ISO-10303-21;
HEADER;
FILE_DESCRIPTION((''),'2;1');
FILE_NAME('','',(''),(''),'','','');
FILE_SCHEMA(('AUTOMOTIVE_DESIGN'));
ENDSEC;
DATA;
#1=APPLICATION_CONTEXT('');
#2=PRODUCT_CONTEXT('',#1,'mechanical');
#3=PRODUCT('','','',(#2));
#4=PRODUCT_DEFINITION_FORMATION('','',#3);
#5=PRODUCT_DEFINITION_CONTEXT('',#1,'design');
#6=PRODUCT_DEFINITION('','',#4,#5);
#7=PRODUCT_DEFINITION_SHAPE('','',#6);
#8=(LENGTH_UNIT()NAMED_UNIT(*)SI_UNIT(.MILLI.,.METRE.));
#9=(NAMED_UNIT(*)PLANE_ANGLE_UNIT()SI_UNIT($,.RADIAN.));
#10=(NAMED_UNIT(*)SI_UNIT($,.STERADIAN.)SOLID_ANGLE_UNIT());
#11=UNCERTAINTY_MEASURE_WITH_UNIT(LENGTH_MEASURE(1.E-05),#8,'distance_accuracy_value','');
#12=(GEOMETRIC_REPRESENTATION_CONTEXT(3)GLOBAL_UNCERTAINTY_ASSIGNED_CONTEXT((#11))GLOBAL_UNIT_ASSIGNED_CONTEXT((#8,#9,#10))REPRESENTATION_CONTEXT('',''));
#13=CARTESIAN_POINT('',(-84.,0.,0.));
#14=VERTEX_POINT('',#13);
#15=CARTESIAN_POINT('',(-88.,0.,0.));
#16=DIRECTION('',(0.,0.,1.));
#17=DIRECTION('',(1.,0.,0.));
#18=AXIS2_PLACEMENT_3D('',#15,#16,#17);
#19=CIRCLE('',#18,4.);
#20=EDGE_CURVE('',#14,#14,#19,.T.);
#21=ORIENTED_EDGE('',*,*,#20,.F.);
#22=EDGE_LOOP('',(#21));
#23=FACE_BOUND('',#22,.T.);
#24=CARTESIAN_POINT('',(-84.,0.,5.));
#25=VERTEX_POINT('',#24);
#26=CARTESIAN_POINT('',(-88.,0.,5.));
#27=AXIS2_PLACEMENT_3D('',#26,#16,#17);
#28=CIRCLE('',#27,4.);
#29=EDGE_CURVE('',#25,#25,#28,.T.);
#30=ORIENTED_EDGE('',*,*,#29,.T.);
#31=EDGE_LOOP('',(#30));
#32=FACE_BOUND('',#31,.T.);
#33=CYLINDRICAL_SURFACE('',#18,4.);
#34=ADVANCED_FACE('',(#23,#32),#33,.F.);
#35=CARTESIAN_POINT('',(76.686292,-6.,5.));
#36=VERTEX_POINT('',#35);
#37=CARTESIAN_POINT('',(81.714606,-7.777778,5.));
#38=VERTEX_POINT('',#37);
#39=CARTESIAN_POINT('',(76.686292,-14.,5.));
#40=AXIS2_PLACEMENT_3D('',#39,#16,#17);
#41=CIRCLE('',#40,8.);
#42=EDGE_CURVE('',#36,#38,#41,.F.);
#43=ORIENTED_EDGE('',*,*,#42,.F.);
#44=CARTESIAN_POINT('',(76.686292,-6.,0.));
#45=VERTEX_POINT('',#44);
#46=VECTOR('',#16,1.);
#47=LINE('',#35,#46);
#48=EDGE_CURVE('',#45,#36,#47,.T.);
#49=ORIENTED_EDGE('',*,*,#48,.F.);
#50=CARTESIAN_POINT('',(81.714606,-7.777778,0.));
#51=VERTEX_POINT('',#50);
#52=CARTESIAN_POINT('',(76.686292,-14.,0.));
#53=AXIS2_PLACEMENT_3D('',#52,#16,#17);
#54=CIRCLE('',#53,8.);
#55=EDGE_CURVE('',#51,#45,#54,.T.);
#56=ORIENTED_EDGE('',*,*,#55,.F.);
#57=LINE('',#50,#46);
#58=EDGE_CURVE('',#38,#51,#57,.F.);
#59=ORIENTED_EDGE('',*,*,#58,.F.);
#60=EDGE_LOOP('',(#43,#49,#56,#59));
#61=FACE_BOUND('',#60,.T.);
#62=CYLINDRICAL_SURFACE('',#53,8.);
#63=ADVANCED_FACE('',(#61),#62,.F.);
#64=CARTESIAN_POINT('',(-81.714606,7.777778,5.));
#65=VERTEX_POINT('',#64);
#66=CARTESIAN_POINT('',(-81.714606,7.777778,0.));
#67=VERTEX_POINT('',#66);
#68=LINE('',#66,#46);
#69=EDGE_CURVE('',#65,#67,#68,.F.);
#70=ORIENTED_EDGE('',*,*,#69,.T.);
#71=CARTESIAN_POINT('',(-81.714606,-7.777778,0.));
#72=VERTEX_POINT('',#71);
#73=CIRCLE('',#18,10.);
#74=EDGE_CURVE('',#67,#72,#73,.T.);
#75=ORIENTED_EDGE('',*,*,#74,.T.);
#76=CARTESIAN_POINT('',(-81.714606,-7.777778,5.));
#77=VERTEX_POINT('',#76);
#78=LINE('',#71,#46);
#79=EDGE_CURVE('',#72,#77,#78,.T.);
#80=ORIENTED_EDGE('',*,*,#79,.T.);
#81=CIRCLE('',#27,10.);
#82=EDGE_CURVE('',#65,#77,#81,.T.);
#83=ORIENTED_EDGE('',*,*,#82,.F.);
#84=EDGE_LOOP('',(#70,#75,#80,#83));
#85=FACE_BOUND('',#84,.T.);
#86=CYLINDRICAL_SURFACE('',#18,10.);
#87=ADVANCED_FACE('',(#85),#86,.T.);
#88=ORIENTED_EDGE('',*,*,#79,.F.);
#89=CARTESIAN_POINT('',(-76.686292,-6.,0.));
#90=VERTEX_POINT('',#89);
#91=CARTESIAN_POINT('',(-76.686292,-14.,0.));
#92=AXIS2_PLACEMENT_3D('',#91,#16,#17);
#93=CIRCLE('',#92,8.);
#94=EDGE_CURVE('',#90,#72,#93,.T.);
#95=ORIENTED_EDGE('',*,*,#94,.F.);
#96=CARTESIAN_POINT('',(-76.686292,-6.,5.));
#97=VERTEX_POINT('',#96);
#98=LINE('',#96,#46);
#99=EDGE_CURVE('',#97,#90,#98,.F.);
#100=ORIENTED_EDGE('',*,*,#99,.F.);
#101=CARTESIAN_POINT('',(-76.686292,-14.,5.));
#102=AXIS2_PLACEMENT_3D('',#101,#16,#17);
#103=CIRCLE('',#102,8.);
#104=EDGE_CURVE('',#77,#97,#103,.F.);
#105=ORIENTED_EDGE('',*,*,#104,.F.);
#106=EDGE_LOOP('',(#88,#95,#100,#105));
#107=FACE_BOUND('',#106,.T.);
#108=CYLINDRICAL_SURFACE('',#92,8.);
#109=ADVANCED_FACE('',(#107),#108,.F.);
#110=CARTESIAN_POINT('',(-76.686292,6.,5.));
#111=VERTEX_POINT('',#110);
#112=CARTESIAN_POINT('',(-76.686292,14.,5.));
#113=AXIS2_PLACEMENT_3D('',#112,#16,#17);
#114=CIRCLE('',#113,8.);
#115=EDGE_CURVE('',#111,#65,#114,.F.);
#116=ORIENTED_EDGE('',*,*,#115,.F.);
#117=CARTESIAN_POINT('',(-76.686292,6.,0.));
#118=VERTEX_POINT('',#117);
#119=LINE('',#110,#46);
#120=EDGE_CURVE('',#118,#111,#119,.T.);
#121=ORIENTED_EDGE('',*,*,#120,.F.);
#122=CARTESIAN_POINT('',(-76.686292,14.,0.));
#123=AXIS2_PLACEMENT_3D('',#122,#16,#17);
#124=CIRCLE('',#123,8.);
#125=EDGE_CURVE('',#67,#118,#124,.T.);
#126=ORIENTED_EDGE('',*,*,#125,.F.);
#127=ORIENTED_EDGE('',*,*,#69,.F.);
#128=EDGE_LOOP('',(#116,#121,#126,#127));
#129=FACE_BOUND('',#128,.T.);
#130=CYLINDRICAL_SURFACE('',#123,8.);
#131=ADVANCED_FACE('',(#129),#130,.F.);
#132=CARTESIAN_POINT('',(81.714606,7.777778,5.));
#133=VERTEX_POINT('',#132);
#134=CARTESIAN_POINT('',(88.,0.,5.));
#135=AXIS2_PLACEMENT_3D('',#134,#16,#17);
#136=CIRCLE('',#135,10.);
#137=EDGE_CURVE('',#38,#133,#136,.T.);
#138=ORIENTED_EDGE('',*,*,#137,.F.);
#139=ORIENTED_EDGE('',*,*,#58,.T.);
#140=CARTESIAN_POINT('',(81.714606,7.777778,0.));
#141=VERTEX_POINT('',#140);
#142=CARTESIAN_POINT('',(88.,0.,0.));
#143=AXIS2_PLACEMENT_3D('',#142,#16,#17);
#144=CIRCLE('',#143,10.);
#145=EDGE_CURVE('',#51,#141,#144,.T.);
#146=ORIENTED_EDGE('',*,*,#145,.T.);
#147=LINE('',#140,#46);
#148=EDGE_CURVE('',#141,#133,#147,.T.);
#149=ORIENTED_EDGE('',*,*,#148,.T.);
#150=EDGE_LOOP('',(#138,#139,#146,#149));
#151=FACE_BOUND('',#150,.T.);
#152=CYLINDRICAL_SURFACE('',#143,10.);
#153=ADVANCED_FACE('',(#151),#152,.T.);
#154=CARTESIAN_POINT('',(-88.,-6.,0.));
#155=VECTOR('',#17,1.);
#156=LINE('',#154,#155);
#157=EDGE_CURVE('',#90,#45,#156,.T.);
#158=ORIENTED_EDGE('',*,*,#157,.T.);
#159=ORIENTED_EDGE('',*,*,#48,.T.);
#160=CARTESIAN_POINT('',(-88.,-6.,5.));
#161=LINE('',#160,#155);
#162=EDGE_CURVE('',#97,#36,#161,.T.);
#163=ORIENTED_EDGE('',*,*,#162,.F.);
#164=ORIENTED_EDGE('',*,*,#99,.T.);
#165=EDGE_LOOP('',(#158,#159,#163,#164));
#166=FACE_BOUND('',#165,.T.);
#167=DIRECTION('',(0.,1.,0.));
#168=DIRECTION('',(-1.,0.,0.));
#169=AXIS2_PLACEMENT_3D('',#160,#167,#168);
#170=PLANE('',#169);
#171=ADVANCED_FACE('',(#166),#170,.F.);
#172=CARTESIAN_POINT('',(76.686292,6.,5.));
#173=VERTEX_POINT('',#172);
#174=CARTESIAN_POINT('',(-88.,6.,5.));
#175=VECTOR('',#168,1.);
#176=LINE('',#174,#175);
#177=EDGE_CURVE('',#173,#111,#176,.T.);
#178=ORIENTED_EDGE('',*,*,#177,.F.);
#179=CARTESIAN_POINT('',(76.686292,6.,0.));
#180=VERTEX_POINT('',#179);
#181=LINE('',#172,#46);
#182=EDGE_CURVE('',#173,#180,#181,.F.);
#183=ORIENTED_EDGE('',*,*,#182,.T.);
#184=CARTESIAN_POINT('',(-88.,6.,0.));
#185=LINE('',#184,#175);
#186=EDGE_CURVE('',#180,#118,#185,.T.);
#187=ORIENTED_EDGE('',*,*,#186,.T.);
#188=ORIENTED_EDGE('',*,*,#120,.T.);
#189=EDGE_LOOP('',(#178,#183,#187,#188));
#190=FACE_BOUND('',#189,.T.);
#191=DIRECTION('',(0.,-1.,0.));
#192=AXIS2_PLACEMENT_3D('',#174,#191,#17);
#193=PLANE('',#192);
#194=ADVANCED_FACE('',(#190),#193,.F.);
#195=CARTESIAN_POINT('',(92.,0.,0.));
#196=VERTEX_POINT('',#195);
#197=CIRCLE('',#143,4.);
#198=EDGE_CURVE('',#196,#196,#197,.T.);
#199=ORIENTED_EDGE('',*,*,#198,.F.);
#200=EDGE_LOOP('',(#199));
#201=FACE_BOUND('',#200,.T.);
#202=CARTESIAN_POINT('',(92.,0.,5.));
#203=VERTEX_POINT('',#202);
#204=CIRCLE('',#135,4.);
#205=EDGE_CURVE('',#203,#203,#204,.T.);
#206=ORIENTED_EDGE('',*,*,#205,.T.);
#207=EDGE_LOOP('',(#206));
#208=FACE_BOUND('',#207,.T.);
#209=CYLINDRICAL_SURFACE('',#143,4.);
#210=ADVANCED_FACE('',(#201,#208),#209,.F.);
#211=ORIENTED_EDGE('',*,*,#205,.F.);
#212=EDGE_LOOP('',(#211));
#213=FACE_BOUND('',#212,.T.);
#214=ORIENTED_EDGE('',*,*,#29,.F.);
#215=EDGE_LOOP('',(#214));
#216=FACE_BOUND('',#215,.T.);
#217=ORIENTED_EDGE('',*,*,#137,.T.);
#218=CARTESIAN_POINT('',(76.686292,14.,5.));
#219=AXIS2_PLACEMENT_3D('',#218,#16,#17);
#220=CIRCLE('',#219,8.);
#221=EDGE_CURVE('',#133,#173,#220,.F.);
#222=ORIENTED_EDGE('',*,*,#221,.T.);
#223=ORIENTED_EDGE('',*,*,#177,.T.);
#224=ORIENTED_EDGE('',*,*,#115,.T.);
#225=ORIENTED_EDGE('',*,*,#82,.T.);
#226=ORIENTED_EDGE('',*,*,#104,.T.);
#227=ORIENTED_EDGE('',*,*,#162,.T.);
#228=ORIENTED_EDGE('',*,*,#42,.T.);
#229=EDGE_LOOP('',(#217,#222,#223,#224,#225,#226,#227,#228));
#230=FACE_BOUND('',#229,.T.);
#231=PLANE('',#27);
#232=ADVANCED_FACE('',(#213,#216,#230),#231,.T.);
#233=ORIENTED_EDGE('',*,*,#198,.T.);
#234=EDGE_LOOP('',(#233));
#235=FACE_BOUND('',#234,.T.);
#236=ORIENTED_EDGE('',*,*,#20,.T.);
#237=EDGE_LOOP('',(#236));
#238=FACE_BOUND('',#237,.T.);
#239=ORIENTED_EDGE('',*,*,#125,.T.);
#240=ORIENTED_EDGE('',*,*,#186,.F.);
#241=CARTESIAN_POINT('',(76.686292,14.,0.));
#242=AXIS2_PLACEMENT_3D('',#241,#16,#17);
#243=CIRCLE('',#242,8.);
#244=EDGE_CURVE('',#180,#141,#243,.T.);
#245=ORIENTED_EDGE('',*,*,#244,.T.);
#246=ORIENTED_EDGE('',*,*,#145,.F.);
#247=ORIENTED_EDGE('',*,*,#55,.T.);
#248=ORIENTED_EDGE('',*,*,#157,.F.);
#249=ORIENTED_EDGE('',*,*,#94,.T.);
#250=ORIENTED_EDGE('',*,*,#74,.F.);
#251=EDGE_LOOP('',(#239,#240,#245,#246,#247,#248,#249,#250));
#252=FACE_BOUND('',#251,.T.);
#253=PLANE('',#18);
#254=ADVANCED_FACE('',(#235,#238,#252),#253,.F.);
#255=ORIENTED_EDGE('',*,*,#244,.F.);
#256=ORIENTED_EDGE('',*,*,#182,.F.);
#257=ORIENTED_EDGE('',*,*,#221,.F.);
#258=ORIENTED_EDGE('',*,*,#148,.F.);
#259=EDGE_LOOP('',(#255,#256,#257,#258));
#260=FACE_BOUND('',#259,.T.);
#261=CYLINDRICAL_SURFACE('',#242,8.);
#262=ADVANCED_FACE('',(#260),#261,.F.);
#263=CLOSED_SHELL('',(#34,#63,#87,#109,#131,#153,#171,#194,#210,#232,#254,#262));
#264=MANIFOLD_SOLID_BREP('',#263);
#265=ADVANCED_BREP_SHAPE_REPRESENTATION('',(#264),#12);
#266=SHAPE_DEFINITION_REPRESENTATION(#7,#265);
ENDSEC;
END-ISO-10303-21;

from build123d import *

# Parameters (mm, degrees)
SKETCH_1_R          = 2.1
EXTRUDE_1_DEPTH     = 5
SKETCH_2_R          = 10
EXTRUDE_2_DEPTH     = 5
SKETCH_3_R          = 4
CUT_EXTRUDE_1_DEPTH = 5
FILLET_1_R          = 8


with BuildPart() as part:
    # 草图1 → 凸台-拉伸1 (new body)
    with BuildSketch(Plane.XY):
        with BuildLine():
            Line((-88, 6), (88, 6))
            ThreePointArc((88, 6), (94, 0), (88, -6))
            Line((88, -6), (-88, -6))
            ThreePointArc((-88, -6), (-94, 0), (-88, 6))
        make_face()
        with Locations((88, 0)):
            Circle(SKETCH_1_R, mode=Mode.SUBTRACT)
        with Locations((-88, 0)):
            Circle(SKETCH_1_R, mode=Mode.SUBTRACT)
    extrude(amount=EXTRUDE_1_DEPTH)

    # 草图2 → 凸台-拉伸2 (add)
    with BuildSketch(Plane.XY.offset(5)):
        with Locations((-88, 0)):
            Circle(SKETCH_2_R)
        with Locations((88, 0)):
            Circle(SKETCH_2_R)
    extrude(amount=-EXTRUDE_2_DEPTH)

    # 草图3 → 切除-拉伸1 (cut)
    with BuildSketch(Plane.XY.offset(5)):
        with Locations((-88, 0)):
            Circle(SKETCH_3_R)
        with Locations((88, 0)):
            Circle(SKETCH_3_R)
    extrude(amount=-CUT_EXTRUDE_1_DEPTH, mode=Mode.SUBTRACT)

    # 圆角1
    fillet_1_edges = [part.edges().sort_by_distance(p)[0] for p in [
        (-80, 6, 2.5),
        (-80, -6, 2.5),
        (80, 6, 2.5),
        (80, -6, 2.5),
    ]]
    fillet(fillet_1_edges, radius=FILLET_1_R)


solid = part.part
